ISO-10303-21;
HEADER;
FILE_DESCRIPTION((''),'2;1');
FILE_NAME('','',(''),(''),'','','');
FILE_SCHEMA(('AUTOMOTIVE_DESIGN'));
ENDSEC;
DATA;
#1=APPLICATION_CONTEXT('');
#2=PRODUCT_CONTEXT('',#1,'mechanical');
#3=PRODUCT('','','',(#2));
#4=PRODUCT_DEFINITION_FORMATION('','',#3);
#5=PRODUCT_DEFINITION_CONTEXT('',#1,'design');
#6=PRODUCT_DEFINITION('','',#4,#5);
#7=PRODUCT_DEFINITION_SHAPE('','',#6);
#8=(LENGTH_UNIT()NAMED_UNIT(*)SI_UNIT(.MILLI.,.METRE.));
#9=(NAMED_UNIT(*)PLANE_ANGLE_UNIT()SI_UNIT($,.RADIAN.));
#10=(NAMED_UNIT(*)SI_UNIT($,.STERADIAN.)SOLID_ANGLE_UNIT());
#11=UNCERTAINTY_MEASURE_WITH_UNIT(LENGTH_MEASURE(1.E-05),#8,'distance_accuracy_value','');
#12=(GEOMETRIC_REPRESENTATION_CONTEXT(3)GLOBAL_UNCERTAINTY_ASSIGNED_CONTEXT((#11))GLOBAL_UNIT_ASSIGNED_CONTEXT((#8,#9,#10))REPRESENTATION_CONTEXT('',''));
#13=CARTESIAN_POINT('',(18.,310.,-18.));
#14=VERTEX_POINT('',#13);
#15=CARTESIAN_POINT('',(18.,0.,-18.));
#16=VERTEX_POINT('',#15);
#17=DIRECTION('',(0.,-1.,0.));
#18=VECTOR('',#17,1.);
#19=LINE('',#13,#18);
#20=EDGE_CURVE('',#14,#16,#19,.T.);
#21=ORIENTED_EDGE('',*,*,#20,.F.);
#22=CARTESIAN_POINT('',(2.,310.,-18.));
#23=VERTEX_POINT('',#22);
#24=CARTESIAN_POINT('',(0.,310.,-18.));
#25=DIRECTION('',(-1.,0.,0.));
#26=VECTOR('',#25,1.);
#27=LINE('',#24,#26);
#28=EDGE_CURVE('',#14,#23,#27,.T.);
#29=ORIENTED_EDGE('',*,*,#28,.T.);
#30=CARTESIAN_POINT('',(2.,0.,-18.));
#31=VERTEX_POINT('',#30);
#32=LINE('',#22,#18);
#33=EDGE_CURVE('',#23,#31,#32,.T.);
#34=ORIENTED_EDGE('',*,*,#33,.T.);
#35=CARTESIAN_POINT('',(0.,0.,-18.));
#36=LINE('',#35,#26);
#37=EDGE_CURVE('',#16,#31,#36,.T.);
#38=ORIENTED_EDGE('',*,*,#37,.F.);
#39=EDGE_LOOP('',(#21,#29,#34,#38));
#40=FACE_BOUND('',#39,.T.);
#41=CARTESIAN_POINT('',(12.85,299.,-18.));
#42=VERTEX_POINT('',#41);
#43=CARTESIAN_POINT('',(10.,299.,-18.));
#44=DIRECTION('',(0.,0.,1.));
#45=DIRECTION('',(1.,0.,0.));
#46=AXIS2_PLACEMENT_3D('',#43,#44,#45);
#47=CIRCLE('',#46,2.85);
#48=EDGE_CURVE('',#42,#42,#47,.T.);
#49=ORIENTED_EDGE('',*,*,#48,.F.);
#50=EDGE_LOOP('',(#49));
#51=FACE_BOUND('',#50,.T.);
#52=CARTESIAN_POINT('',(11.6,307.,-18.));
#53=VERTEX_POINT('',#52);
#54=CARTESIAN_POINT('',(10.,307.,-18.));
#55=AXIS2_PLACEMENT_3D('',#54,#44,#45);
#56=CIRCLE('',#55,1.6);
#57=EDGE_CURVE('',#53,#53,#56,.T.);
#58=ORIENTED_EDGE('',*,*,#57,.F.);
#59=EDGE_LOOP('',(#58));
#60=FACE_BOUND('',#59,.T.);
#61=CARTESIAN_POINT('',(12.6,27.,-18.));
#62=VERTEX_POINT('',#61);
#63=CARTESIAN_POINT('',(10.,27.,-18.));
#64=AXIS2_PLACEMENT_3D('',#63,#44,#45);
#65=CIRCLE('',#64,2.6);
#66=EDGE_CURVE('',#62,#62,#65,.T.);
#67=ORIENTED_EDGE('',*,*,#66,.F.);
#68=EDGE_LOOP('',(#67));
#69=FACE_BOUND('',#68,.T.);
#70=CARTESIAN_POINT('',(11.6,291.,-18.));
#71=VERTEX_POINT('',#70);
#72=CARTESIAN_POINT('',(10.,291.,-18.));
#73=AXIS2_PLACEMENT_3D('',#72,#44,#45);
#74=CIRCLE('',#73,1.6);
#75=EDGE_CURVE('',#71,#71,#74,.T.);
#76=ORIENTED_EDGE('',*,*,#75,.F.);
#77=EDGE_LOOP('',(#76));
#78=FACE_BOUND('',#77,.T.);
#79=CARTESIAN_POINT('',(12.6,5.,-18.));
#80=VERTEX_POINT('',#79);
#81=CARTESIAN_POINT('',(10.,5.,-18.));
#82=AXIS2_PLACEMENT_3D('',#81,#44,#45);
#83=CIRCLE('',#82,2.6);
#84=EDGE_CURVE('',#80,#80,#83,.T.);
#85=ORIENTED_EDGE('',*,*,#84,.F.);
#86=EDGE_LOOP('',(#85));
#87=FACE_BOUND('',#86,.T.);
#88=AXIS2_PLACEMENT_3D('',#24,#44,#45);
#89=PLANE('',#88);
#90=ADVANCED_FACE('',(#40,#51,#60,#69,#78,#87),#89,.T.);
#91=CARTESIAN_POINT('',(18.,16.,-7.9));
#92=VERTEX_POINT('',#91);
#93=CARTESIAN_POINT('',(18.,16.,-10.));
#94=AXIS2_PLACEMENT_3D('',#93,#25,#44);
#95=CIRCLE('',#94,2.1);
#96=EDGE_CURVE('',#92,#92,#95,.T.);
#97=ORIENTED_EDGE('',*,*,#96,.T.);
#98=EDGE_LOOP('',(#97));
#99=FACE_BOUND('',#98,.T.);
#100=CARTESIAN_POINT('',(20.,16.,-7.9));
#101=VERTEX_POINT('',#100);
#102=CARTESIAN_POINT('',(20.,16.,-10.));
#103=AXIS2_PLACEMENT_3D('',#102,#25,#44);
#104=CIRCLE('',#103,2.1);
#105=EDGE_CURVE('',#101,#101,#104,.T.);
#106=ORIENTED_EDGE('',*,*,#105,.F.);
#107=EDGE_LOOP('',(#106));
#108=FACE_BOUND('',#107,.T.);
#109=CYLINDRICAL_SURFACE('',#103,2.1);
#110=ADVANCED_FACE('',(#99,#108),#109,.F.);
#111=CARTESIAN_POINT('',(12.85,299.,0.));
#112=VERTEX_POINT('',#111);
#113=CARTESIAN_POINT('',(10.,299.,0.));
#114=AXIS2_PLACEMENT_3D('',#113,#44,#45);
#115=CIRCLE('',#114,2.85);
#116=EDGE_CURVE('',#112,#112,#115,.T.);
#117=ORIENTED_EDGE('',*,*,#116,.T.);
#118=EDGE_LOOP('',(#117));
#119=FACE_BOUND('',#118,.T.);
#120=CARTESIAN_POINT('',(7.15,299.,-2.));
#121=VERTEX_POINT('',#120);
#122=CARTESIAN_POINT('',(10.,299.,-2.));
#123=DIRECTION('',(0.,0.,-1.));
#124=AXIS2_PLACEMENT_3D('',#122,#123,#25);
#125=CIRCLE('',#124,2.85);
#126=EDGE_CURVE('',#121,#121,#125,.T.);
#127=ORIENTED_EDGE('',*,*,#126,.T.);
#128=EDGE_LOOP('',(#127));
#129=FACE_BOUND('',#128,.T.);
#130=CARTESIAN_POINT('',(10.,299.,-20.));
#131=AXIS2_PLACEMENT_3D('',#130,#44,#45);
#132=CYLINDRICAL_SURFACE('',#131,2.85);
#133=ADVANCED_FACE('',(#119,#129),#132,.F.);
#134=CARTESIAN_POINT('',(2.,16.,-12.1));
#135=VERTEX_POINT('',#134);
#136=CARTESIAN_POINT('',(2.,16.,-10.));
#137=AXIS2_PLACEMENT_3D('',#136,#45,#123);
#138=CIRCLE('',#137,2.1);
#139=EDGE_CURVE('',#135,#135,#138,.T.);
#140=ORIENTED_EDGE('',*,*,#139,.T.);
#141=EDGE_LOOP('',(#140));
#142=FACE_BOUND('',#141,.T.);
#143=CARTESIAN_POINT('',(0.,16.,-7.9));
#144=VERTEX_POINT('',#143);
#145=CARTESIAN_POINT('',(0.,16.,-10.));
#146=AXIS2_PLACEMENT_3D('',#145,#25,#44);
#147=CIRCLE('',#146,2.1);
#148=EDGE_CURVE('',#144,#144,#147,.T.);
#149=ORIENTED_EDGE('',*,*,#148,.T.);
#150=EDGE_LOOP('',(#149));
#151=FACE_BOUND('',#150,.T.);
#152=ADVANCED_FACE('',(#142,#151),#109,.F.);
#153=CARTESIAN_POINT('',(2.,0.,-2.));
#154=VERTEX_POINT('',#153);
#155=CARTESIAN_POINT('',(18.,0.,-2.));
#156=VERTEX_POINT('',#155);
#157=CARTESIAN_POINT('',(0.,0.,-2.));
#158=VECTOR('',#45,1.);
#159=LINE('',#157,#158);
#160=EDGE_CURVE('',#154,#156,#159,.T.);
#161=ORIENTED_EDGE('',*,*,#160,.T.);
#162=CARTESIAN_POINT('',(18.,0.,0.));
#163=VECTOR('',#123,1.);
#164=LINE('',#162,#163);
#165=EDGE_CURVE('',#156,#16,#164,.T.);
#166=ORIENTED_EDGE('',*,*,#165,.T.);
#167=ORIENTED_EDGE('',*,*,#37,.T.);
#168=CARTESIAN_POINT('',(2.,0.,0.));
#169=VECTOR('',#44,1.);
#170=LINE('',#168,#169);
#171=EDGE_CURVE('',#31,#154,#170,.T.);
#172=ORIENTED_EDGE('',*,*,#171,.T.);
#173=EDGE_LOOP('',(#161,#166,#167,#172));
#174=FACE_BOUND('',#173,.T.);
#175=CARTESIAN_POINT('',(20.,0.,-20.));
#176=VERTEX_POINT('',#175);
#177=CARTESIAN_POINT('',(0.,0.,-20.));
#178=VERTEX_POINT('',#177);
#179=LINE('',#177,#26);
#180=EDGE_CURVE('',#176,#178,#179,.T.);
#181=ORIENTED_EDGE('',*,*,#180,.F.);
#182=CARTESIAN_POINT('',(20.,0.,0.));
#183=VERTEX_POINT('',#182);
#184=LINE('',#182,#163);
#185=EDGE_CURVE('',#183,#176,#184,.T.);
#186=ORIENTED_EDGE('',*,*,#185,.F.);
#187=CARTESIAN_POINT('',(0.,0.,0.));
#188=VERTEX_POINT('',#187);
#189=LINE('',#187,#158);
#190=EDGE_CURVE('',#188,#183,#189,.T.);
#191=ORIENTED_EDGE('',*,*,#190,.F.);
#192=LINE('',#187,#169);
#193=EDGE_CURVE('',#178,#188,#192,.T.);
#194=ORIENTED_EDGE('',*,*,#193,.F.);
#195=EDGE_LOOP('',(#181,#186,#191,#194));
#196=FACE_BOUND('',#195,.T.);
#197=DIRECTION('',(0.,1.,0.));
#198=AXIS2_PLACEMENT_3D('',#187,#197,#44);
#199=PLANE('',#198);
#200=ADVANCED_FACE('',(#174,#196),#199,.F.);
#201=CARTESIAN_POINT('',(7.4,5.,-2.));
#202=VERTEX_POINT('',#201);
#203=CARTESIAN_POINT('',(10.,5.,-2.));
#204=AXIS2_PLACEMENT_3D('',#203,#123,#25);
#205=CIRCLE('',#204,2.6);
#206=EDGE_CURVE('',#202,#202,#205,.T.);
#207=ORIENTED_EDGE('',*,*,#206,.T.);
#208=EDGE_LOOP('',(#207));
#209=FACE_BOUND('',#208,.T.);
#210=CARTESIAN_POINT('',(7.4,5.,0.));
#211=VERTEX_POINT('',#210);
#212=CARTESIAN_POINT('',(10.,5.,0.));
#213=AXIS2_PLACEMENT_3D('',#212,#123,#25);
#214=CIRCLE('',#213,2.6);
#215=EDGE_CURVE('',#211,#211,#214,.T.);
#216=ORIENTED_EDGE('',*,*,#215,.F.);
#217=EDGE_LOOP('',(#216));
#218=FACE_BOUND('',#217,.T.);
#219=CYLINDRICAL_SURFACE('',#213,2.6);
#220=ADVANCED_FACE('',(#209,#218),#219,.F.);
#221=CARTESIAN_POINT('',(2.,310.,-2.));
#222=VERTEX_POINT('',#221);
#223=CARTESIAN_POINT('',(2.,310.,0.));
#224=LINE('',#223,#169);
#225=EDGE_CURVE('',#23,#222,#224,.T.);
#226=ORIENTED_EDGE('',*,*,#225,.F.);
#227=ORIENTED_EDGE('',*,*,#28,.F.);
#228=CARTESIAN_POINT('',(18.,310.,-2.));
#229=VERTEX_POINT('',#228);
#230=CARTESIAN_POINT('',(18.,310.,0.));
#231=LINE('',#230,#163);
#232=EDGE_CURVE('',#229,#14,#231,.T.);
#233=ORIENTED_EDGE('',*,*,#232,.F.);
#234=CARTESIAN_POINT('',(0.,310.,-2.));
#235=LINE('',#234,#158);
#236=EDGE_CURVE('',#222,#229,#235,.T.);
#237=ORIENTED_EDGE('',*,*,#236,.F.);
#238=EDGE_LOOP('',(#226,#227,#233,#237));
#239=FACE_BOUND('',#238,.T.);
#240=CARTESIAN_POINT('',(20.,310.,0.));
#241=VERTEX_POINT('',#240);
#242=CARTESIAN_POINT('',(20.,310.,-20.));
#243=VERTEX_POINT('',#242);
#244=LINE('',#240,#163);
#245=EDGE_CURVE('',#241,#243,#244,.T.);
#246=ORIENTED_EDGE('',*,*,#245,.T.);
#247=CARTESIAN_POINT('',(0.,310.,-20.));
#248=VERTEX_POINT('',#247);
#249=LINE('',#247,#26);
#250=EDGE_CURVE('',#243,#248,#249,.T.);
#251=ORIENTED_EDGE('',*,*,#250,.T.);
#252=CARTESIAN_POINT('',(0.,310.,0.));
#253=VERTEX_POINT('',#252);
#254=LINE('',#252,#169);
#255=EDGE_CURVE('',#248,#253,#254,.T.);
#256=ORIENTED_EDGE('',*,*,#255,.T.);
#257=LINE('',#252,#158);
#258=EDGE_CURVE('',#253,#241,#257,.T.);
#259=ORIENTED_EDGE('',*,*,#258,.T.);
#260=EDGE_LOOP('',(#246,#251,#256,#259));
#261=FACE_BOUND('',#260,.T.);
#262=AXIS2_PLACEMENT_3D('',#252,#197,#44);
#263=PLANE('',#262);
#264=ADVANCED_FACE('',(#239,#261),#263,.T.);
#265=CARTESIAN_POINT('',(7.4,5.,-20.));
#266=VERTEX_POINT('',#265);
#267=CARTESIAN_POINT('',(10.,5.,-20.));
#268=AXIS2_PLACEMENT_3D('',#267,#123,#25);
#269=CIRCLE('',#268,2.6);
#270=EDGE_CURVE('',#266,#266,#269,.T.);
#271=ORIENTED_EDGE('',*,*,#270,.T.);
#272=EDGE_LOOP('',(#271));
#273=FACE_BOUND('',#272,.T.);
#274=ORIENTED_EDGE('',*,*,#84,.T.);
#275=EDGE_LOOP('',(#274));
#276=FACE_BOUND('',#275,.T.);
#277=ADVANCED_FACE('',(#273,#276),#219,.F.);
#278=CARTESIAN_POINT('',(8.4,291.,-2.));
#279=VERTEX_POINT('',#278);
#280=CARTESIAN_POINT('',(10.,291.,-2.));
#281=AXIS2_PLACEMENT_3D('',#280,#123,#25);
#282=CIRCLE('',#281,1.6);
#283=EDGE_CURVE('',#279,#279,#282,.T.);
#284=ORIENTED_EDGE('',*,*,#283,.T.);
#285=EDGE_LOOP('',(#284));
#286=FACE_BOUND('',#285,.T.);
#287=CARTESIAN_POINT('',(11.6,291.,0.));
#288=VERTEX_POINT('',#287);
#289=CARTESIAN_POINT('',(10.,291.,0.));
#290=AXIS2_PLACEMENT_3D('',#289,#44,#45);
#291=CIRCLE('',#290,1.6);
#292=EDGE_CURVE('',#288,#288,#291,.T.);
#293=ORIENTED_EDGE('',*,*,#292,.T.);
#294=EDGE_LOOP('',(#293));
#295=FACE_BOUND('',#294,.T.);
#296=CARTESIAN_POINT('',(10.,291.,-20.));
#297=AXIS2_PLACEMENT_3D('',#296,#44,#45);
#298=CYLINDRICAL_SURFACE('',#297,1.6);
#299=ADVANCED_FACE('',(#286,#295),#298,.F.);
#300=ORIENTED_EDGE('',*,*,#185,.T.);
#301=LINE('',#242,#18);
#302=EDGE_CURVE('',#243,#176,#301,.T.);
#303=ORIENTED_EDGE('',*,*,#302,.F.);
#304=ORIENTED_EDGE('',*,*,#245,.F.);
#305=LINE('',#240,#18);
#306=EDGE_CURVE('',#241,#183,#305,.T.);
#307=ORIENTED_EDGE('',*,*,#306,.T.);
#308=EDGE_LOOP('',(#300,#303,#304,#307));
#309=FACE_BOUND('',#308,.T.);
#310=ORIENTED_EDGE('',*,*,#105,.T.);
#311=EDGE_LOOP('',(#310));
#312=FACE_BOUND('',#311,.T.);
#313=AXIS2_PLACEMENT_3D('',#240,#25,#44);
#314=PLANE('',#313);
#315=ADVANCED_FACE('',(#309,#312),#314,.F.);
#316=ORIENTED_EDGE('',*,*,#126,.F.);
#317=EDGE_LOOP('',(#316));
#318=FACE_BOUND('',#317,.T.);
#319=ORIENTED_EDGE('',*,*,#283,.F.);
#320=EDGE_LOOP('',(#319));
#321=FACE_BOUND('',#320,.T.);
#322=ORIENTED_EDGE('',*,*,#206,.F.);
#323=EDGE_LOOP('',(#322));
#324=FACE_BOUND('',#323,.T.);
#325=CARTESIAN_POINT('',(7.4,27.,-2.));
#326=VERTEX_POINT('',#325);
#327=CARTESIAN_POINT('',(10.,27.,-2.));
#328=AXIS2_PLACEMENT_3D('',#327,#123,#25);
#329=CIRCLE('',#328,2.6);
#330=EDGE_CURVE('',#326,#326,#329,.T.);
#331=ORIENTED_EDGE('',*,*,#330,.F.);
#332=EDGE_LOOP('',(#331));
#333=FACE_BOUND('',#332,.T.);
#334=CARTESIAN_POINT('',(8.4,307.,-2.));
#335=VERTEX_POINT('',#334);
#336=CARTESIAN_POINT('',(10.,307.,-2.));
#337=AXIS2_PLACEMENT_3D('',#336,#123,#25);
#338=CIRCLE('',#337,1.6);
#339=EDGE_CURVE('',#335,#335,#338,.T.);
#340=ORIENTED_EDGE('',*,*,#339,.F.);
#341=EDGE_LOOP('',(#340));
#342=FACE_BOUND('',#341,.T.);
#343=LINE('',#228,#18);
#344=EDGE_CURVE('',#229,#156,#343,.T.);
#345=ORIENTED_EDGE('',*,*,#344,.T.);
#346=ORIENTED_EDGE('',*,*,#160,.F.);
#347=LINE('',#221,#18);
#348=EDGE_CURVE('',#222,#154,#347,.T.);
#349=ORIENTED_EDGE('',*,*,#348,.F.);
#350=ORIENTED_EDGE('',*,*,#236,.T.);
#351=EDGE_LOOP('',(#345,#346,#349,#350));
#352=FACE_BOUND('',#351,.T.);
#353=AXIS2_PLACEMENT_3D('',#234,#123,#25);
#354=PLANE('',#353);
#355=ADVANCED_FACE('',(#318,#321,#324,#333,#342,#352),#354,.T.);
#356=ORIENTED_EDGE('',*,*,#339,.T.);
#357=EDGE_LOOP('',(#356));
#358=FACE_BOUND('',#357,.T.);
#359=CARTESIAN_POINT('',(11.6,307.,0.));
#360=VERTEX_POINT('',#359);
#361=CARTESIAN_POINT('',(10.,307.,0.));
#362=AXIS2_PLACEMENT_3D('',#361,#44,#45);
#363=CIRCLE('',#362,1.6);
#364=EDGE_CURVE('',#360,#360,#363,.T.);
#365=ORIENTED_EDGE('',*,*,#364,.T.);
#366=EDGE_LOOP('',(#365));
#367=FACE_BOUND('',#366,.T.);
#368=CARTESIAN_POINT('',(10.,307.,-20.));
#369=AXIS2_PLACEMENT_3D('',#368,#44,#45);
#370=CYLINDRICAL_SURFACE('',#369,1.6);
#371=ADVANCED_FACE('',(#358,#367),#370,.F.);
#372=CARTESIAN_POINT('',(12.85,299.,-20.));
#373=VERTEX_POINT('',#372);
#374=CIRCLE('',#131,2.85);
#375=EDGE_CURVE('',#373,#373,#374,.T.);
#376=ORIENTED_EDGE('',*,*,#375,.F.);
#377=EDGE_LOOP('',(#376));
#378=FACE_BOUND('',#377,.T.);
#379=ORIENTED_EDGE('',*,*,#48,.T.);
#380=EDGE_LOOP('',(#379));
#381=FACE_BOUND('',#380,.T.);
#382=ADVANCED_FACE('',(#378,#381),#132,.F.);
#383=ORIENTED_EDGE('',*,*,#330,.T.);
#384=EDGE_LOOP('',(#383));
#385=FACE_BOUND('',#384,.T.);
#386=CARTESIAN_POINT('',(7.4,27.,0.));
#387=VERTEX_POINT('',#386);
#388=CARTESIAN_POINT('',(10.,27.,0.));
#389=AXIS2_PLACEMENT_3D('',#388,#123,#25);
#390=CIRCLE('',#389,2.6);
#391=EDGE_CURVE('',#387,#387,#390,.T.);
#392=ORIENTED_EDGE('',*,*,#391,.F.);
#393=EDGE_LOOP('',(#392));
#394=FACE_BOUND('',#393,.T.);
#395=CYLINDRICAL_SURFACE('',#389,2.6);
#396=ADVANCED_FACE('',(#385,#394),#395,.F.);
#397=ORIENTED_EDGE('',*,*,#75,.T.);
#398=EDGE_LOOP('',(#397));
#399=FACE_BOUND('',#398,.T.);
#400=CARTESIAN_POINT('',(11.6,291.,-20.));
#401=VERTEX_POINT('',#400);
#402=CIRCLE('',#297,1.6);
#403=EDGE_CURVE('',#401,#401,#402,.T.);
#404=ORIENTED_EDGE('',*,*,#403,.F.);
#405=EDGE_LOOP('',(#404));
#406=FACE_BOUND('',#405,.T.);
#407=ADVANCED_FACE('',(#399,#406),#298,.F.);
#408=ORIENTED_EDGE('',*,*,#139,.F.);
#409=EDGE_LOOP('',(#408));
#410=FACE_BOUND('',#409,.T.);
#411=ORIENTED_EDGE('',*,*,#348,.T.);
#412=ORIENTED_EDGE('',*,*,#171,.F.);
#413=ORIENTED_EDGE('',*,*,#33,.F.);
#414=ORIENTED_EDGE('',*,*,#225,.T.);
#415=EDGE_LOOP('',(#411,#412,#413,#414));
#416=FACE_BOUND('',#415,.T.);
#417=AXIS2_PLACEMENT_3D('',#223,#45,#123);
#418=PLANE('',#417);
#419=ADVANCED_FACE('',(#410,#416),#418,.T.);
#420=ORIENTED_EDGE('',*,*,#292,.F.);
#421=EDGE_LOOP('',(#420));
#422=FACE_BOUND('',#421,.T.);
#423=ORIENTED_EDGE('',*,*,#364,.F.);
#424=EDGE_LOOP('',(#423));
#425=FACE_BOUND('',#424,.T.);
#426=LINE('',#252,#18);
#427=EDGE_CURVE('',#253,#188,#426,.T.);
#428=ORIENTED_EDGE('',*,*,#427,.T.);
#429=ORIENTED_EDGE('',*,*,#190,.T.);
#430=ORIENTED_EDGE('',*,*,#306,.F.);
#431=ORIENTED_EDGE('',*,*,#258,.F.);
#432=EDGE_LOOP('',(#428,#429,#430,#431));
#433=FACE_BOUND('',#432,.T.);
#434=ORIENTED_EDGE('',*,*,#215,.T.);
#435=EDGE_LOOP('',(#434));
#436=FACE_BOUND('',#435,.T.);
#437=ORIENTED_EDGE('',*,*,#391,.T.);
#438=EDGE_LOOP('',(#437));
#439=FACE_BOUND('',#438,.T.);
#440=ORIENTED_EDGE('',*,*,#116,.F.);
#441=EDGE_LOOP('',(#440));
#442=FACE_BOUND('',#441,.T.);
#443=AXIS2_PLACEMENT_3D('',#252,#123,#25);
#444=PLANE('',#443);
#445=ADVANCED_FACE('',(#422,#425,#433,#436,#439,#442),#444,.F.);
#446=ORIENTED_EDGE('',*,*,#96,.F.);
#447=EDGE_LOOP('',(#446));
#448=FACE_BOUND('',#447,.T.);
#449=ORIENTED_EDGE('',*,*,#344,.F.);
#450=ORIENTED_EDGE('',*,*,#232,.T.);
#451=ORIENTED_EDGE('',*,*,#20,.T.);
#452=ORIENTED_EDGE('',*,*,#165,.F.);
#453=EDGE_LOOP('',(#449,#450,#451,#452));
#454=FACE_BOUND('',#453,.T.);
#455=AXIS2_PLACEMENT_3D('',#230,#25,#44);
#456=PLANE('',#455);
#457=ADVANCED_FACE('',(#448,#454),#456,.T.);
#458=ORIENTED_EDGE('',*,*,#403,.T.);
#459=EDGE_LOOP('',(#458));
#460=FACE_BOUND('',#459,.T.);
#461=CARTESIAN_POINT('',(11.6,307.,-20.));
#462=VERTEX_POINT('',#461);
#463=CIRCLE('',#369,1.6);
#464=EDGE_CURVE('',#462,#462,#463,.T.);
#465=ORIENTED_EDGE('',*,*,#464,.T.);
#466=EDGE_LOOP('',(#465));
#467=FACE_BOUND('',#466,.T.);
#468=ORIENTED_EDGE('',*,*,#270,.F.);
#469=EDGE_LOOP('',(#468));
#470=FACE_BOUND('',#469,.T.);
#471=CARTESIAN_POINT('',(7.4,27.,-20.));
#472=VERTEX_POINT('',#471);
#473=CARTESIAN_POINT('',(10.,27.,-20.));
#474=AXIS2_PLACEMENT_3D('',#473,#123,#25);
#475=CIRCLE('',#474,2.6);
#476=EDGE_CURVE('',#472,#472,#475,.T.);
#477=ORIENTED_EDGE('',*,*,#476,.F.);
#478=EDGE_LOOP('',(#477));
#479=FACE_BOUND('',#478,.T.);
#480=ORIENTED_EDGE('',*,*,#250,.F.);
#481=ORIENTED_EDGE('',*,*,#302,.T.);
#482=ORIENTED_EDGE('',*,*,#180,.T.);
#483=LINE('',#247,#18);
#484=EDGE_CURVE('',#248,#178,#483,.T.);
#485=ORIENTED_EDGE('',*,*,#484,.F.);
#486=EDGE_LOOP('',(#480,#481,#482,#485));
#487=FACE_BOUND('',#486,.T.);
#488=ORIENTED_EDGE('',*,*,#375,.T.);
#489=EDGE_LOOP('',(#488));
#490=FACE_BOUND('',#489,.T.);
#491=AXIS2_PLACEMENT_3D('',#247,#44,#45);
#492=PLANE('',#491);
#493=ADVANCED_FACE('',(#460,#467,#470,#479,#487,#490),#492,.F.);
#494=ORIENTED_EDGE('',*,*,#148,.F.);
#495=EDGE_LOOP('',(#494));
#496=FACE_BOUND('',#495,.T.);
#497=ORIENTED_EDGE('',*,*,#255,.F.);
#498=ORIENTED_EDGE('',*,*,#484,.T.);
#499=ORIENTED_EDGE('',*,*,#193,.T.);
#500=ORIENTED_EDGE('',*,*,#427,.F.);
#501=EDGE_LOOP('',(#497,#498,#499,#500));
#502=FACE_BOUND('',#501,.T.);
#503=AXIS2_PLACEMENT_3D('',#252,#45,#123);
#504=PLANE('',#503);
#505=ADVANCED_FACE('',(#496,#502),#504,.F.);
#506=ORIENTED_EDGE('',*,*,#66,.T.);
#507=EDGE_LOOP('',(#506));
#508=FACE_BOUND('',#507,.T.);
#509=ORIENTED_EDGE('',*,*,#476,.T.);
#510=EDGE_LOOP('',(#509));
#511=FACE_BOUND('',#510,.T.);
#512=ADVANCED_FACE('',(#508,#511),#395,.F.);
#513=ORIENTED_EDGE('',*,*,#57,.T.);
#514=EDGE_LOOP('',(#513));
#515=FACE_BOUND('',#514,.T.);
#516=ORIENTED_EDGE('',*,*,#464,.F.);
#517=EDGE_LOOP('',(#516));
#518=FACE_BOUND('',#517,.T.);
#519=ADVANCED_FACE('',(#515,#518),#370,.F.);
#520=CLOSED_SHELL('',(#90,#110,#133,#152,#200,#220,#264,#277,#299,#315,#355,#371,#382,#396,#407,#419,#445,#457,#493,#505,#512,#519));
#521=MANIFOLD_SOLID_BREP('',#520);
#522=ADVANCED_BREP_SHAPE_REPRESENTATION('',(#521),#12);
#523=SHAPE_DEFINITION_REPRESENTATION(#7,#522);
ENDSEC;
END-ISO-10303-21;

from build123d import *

# Parameters (mm, degrees)
ESBO_O1_W             = 20
ESBO_O1_H             = 20
ESBO_O1_W_2           = 16
ESBO_O1_H_2           = 16
EXTRUS_O_FINA1_DEPTH  = 310
ESBO_O4_R             = 2.85
ESBO_O4_R_2           = 1.6
CORTE_EXTRUS_O2_DEPTH = 21
ESBO_O5_R             = 2.6
CORTE_EXTRUS_O5_DEPTH = 21
ESBO_O6_R             = 2.1
CORTE_EXTRUS_O6_DEPTH = 21


with BuildPart() as part:
    # Esboço1 → Extrusão-Fina1 (new body)
    with BuildSketch(Plane(origin=(0, 0, 0), x_dir=(1, 0, 0), z_dir=(0, 1, 0))):
        with Locations((10, 10)):
            Rectangle(ESBO_O1_W, ESBO_O1_H)
        with Locations((10, 10)):
            Rectangle(ESBO_O1_W_2, ESBO_O1_H_2, mode=Mode.SUBTRACT)
    extrude(amount=EXTRUS_O_FINA1_DEPTH)

    # Esboço4 → Corte-extrusão2 (cut, through all)
    with BuildSketch(Plane.XY):
        with Locations((10, 299)):
            Circle(ESBO_O4_R)
        with Locations((10, 291)):
            Circle(ESBO_O4_R_2)
        with Locations((10, 307)):
            Circle(ESBO_O4_R_2)
    extrude(amount=-CORTE_EXTRUS_O2_DEPTH, mode=Mode.SUBTRACT)

    # Esboço5 → Corte-extrusão5 (cut, through all)
    with BuildSketch(Plane(origin=(0, 0, -20), x_dir=(-1, 0, 0), z_dir=(0, 0, -1))):
        with Locations((-10, 5)):
            Circle(ESBO_O5_R)
        with Locations((-10, 27)):
            Circle(ESBO_O5_R)
    extrude(amount=-CORTE_EXTRUS_O5_DEPTH, mode=Mode.SUBTRACT)

    # Esboço6 → Corte-extrusão6 (cut, through all)
    with BuildSketch(Plane.ZY):
        with Locations((-10, 16)):
            Circle(ESBO_O6_R)
    extrude(amount=-CORTE_EXTRUS_O6_DEPTH, mode=Mode.SUBTRACT)


solid = part.part
